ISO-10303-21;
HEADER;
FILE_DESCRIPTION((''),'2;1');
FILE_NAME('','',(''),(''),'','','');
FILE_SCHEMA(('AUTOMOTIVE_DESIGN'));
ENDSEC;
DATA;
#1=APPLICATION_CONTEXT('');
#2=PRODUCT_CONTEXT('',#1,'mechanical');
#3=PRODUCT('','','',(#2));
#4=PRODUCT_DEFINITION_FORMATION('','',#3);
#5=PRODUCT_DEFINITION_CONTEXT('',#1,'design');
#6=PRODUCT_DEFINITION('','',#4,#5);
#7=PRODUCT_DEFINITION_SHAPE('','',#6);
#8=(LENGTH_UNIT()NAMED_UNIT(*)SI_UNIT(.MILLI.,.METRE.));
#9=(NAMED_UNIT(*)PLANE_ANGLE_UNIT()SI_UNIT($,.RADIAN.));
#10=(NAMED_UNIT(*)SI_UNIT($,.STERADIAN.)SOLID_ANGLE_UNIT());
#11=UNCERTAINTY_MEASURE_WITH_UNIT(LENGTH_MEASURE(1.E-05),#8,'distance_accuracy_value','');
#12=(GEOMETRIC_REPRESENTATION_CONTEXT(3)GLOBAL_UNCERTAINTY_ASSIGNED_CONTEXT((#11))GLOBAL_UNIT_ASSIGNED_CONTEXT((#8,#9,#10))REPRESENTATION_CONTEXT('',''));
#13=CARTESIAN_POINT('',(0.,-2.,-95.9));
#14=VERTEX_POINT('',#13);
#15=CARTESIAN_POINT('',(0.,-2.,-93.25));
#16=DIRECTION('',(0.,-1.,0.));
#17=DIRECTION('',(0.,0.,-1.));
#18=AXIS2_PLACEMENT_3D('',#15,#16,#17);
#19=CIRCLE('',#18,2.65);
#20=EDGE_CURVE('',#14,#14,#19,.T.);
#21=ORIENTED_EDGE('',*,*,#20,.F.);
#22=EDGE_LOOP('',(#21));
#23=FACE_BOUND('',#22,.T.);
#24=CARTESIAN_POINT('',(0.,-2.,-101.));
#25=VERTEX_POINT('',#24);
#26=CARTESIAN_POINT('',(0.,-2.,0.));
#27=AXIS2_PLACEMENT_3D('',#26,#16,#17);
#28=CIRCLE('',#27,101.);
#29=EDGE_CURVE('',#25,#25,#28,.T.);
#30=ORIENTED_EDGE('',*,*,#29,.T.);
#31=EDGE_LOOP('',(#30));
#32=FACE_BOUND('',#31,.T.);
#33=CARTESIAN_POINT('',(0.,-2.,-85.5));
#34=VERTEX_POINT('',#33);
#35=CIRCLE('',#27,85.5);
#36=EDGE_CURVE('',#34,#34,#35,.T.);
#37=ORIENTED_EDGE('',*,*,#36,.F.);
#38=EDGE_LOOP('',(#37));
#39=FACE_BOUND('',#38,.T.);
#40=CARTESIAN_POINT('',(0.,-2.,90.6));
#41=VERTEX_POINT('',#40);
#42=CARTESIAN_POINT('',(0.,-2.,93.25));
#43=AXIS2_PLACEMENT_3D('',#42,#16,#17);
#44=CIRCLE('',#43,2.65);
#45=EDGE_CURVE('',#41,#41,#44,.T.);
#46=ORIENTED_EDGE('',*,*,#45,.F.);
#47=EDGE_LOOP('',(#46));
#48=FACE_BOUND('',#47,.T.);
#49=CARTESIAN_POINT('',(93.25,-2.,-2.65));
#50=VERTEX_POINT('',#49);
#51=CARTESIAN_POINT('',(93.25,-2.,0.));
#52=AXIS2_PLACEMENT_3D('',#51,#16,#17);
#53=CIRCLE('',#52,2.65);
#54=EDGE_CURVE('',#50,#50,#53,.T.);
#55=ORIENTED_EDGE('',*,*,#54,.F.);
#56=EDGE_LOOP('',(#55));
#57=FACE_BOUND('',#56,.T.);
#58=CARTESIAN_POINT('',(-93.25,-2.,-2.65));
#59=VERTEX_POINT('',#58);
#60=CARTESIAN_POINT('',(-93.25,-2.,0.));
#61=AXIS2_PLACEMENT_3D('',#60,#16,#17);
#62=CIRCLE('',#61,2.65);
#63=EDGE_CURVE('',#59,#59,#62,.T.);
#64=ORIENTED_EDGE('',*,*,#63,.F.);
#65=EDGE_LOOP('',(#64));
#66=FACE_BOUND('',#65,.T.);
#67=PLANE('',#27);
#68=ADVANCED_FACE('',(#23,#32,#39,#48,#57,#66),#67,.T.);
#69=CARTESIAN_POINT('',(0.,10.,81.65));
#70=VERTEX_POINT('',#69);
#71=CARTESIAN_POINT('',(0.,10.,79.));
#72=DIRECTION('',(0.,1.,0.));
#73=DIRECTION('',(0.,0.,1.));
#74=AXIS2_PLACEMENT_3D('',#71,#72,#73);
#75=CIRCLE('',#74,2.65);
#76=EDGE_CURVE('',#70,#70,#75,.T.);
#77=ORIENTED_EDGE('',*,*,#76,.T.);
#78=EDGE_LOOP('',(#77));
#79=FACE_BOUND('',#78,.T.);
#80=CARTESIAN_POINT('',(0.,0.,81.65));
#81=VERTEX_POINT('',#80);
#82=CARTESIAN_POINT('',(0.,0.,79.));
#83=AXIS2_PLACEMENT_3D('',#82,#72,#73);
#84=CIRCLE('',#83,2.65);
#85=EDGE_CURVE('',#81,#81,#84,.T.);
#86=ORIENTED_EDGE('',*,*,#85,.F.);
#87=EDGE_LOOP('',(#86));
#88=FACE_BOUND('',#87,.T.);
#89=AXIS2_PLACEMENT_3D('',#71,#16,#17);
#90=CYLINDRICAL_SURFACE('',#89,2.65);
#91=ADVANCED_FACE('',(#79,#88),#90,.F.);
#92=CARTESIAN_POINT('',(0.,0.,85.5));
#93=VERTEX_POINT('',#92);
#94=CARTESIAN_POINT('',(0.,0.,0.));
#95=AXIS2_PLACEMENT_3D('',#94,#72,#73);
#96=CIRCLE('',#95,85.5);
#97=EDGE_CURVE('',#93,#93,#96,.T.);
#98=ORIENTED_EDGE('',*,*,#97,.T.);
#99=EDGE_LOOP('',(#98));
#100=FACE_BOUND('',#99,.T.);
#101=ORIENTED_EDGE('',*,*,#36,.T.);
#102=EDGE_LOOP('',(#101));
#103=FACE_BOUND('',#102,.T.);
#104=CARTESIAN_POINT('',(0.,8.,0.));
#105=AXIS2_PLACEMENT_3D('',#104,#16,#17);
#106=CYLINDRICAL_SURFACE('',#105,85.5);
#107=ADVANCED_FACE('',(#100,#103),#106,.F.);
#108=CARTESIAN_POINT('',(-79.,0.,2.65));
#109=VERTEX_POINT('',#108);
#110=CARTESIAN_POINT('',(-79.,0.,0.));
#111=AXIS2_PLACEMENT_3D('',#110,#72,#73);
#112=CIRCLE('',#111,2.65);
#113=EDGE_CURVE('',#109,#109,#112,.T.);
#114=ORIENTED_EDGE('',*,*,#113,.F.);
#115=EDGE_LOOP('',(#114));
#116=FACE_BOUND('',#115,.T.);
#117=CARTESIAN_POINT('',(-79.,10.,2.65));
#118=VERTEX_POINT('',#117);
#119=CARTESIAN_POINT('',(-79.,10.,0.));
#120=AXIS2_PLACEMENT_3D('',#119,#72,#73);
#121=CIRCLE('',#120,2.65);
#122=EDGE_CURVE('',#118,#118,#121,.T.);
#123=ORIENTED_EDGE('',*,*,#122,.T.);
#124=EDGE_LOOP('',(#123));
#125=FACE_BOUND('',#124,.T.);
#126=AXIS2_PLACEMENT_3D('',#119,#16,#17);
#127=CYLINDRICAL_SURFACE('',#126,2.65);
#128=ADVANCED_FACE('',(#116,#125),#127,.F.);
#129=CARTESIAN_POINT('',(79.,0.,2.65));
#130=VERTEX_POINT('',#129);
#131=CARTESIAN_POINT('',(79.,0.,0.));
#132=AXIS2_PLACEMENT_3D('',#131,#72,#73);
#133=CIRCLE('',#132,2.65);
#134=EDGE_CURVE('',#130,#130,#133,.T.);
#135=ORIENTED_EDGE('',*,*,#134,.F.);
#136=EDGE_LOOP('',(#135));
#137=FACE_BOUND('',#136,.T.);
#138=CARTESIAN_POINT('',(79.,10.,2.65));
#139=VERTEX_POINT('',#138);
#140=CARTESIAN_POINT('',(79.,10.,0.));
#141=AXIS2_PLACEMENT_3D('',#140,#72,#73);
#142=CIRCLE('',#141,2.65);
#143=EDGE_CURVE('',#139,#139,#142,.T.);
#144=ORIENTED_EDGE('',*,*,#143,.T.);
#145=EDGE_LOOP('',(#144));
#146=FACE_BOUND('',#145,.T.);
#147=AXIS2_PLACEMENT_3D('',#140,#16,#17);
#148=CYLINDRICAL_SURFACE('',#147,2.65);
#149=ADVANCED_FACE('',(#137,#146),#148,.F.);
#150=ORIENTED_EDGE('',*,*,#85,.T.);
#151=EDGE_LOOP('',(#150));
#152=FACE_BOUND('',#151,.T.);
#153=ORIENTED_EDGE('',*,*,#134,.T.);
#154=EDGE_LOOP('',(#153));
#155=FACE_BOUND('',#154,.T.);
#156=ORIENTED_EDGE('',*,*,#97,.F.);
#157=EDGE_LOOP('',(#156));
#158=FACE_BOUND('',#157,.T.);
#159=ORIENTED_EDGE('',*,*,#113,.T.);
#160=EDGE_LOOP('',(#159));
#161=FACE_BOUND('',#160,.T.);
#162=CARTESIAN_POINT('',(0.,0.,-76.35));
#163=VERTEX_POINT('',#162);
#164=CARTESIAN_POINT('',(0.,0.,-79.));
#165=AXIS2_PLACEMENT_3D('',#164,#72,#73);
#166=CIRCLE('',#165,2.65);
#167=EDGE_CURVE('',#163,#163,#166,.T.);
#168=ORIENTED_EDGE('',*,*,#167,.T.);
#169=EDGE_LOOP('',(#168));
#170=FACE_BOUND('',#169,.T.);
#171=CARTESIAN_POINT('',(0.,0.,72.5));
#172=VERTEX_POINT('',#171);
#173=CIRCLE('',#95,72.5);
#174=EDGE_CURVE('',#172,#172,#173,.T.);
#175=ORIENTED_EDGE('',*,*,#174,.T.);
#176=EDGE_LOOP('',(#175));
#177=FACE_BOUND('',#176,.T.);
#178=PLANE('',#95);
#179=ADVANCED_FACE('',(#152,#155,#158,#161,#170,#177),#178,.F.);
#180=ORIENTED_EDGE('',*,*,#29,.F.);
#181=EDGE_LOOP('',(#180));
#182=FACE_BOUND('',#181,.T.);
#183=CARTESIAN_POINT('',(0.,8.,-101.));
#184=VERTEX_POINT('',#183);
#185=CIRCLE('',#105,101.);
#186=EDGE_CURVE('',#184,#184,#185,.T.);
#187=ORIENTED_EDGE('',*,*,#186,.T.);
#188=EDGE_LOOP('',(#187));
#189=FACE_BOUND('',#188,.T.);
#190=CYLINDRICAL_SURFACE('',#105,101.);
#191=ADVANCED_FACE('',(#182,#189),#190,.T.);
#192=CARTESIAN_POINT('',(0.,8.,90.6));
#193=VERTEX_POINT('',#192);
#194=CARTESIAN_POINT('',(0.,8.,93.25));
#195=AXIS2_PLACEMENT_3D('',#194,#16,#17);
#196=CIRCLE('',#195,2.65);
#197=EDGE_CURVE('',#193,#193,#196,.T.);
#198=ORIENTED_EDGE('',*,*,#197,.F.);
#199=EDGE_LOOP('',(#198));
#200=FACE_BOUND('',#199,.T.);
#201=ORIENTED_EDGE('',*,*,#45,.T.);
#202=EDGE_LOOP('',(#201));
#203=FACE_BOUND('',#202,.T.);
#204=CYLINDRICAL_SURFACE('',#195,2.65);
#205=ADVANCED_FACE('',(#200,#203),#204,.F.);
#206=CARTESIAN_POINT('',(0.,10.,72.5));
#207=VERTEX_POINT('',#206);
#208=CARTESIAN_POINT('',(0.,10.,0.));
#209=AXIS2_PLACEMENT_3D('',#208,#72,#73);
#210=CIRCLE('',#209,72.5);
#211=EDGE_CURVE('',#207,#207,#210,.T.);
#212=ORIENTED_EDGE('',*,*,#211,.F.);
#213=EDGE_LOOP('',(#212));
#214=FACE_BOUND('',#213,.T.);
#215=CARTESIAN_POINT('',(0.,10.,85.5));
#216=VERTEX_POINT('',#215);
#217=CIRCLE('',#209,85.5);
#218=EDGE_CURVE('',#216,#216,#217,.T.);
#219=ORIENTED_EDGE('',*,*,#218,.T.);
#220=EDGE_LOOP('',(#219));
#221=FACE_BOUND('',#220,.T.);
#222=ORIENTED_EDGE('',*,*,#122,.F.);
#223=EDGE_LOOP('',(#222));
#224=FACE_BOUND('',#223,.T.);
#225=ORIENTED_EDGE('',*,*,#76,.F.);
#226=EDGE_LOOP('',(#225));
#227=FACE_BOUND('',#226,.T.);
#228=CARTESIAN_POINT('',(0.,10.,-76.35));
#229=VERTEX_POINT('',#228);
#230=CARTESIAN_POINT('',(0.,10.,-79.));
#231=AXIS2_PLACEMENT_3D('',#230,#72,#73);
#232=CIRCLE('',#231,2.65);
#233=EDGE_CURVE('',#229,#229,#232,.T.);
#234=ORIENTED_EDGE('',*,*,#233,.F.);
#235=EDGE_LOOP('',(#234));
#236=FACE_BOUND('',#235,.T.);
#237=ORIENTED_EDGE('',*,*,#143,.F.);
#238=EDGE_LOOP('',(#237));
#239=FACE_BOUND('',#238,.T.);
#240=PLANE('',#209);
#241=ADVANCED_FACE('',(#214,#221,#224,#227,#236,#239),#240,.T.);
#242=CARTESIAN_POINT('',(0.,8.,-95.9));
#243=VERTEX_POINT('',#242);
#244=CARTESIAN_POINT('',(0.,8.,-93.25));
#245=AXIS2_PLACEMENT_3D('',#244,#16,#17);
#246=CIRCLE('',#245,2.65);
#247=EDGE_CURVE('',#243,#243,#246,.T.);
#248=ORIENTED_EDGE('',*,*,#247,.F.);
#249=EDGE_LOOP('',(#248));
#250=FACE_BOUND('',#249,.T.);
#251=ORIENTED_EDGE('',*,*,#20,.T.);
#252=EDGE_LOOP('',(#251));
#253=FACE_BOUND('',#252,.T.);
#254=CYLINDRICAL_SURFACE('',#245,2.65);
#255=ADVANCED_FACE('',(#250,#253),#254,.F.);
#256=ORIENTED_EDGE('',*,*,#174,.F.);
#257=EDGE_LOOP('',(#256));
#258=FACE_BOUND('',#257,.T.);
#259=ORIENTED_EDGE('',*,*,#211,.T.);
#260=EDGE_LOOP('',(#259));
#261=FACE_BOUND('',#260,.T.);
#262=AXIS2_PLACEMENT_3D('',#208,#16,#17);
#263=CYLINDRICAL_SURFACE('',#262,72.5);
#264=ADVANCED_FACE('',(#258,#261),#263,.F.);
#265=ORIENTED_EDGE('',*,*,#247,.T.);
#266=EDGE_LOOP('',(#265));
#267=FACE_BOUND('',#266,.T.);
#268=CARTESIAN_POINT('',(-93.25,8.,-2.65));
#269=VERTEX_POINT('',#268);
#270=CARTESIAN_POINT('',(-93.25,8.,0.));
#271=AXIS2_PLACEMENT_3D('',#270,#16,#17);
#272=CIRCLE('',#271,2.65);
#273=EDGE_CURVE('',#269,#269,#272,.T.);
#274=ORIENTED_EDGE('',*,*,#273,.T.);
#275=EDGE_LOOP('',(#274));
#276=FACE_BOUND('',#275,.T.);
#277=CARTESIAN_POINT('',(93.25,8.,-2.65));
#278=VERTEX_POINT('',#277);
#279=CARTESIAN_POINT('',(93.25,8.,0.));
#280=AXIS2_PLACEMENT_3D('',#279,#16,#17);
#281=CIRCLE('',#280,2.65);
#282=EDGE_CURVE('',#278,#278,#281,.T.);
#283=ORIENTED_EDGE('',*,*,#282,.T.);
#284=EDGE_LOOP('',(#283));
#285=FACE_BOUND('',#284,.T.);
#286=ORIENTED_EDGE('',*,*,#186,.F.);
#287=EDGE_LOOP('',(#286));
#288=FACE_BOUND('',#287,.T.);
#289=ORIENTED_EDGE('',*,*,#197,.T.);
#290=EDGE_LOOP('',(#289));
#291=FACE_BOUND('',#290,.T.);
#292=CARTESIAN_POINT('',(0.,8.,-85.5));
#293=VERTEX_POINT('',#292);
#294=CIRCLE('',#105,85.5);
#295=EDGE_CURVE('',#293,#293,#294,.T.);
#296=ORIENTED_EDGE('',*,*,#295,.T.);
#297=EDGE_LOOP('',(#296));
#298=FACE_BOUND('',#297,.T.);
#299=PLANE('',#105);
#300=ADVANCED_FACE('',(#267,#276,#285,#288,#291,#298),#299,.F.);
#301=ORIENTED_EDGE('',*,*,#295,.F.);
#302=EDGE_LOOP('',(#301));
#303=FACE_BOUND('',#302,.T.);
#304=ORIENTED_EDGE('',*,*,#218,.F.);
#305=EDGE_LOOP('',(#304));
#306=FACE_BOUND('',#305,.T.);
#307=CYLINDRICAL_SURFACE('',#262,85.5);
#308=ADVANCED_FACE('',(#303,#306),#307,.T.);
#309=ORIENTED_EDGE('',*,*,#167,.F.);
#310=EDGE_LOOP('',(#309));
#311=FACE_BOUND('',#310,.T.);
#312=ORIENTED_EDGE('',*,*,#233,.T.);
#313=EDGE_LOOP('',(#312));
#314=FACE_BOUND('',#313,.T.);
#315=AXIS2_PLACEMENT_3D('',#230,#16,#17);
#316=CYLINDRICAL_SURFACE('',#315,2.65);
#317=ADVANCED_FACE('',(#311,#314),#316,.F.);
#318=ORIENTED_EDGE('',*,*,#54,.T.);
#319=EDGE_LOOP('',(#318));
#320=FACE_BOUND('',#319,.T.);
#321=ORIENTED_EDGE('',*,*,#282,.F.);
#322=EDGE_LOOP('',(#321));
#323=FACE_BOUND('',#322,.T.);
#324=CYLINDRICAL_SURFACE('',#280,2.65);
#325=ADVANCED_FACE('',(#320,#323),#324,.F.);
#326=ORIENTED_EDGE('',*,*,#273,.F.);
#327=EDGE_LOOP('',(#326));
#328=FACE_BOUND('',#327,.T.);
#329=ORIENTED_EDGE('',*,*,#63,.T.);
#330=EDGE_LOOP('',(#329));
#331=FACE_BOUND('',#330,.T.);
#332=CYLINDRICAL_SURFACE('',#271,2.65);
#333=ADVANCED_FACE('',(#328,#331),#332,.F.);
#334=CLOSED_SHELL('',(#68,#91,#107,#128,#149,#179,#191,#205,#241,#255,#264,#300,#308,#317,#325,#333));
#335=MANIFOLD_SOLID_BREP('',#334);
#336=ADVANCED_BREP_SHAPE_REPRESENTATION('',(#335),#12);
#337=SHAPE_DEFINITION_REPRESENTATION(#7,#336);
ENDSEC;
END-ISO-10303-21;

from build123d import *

# Parameters (mm, degrees)
SKETCH_1_R      = 85.5
SKETCH_1_R_2    = 72.5
SKETCH_1_R_3    = 2.65
EXTRUDE_2_DEPTH = 10
SKETCH_2_R      = 101
SKETCH_2_R_2    = 85.5
SKETCH_2_R_3    = 2.65
EXTRUDE_3_DEPTH = 10


with BuildPart() as part:
    # 草图1 → 凸台-拉伸2 (new body)
    with BuildSketch(Plane(origin=(0, 0, 0), x_dir=(1, 0, 0), z_dir=(0, 1, 0))):
        with Locations(Location((0, 0, 0), (0, 0, 270))):
            Circle(SKETCH_1_R)
        with Locations(Location((0, 0, 0), (0, 0, 270))):
            Circle(SKETCH_1_R_2, mode=Mode.SUBTRACT)
        with Locations(Location((0, 79, 0), (0, 0, 270))):
            Circle(SKETCH_1_R_3, mode=Mode.SUBTRACT)
        with Locations(Location((79, 0, 0), (0, 0, 270))):
            Circle(SKETCH_1_R_3, mode=Mode.SUBTRACT)
        with Locations(Location((0, -79, 0), (0, 0, 270))):
            Circle(SKETCH_1_R_3, mode=Mode.SUBTRACT)
        with Locations(Location((-79, 0, 0), (0, 0, 270))):
            Circle(SKETCH_1_R_3, mode=Mode.SUBTRACT)
    extrude(amount=EXTRUDE_2_DEPTH)

    # 草图2 → 凸台-拉伸3 (add)
    with BuildSketch(Plane(origin=(0, -2, 0), x_dir=(-1, 0, 0), z_dir=(0, -1, 0))):
        with Locations(Location((0, 0, 0), (0, 0, 90))):
            Circle(SKETCH_2_R)
        with Locations(Location((0, 0, 0), (0, 0, 90))):
            Circle(SKETCH_2_R_2, mode=Mode.SUBTRACT)
        with Locations(Location((0, 93.25, 0), (0, 0, 90))):
            Circle(SKETCH_2_R_3, mode=Mode.SUBTRACT)
        with Locations(Location((93.25, 0, 0), (0, 0, 90))):
            Circle(SKETCH_2_R_3, mode=Mode.SUBTRACT)
        with Locations(Location((0, -93.25, 0), (0, 0, 90))):
            Circle(SKETCH_2_R_3, mode=Mode.SUBTRACT)
        with Locations(Location((-93.25, 0, 0), (0, 0, 90))):
            Circle(SKETCH_2_R_3, mode=Mode.SUBTRACT)
    extrude(amount=-EXTRUDE_3_DEPTH)


solid = part.part
